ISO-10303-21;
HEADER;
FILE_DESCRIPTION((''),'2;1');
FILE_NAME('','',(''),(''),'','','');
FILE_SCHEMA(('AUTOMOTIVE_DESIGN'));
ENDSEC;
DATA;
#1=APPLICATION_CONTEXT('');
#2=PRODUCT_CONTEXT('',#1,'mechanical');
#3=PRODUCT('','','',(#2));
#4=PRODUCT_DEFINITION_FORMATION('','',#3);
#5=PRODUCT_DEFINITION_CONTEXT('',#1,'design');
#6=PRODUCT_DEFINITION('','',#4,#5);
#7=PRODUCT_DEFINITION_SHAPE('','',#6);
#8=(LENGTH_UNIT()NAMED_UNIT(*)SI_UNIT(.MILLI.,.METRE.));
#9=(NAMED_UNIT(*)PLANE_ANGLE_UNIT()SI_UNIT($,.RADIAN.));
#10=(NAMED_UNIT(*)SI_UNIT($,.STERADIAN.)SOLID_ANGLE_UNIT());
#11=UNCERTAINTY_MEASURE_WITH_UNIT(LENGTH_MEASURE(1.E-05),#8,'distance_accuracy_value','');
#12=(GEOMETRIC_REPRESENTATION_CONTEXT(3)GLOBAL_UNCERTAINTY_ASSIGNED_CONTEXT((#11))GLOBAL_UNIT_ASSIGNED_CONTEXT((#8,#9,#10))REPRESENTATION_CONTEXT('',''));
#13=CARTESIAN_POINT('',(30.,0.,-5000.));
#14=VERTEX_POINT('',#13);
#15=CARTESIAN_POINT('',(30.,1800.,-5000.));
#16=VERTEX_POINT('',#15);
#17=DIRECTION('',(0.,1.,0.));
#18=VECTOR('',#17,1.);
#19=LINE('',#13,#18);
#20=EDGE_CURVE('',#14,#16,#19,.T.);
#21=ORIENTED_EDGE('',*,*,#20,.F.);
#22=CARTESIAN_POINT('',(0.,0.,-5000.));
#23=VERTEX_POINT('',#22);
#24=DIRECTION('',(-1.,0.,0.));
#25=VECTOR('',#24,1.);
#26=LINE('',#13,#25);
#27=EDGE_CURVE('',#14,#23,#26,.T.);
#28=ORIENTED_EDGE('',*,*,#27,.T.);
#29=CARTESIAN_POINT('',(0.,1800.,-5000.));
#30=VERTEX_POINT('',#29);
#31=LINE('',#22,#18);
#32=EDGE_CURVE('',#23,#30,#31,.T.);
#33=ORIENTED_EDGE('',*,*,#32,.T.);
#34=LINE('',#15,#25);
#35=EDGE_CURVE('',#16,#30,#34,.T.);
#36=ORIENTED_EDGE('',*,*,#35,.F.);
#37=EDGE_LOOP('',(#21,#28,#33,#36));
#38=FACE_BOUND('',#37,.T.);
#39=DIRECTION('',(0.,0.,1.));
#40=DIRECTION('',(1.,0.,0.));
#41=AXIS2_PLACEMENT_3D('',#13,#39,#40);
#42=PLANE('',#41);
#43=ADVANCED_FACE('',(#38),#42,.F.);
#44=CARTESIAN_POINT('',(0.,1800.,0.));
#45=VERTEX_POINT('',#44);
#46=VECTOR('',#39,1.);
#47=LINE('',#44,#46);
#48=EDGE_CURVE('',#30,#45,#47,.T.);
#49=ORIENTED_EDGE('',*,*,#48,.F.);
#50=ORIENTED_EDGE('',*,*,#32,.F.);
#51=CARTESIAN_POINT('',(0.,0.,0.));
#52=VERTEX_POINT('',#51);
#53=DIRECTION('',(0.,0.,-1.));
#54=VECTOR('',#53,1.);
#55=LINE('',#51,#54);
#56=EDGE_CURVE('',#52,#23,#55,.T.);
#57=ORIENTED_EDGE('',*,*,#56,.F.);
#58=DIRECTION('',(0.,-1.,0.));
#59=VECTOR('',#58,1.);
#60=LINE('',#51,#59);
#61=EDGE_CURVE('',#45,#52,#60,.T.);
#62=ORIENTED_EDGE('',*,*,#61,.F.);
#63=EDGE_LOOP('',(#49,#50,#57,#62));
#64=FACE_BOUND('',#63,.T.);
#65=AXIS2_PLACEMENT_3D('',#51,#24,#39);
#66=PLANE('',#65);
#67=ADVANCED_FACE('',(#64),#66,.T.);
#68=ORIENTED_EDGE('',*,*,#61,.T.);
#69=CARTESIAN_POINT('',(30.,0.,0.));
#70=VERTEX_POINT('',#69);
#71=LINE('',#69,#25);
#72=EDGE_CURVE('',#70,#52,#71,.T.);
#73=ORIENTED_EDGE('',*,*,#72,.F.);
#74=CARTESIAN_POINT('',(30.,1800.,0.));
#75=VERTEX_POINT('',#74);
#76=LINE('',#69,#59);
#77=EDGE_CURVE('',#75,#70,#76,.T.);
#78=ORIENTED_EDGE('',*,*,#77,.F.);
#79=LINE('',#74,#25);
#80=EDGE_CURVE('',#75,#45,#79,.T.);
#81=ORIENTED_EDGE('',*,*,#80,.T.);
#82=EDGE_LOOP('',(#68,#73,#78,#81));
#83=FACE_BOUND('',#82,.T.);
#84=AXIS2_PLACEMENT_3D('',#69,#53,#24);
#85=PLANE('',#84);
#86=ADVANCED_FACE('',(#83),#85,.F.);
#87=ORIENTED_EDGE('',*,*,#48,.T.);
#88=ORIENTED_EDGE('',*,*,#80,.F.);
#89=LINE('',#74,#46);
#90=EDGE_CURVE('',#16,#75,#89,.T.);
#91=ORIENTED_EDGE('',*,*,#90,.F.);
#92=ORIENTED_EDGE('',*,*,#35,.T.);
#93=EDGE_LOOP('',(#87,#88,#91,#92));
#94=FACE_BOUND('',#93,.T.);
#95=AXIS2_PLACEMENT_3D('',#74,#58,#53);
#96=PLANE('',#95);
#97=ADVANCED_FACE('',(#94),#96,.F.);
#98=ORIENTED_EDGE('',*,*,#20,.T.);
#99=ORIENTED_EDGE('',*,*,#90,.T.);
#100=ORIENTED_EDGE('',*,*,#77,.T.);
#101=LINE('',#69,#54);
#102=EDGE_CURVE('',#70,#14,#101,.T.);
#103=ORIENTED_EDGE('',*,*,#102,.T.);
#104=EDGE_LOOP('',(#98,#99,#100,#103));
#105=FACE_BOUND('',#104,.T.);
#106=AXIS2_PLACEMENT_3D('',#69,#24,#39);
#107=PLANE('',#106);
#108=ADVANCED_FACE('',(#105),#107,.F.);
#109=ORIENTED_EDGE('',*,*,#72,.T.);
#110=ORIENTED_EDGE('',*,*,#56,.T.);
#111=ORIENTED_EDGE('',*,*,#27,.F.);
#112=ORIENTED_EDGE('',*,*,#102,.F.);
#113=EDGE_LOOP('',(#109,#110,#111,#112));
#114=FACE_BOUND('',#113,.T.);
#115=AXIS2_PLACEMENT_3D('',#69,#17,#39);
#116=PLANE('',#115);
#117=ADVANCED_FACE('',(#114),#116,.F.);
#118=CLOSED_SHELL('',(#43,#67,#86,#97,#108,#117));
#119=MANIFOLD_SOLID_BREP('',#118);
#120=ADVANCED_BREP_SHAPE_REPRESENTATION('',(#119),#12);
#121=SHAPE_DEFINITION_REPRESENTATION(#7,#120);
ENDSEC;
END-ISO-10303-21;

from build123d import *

# Parameters (mm, degrees)
SKETCH_1_W      = 5000
SKETCH_1_H      = 1800
EXTRUDE_1_DEPTH = 30


with BuildPart() as part:
    # Эскиз1 → Бобышка-Вытянуть1 (new body)
    with BuildSketch(Plane(origin=(0, 0, 0), x_dir=(0, 0, -1), z_dir=(1, 0, 0))):
        with Locations((2500, 900)):
            Rectangle(SKETCH_1_W, SKETCH_1_H)
    extrude(amount=EXTRUDE_1_DEPTH)


solid = part.part
